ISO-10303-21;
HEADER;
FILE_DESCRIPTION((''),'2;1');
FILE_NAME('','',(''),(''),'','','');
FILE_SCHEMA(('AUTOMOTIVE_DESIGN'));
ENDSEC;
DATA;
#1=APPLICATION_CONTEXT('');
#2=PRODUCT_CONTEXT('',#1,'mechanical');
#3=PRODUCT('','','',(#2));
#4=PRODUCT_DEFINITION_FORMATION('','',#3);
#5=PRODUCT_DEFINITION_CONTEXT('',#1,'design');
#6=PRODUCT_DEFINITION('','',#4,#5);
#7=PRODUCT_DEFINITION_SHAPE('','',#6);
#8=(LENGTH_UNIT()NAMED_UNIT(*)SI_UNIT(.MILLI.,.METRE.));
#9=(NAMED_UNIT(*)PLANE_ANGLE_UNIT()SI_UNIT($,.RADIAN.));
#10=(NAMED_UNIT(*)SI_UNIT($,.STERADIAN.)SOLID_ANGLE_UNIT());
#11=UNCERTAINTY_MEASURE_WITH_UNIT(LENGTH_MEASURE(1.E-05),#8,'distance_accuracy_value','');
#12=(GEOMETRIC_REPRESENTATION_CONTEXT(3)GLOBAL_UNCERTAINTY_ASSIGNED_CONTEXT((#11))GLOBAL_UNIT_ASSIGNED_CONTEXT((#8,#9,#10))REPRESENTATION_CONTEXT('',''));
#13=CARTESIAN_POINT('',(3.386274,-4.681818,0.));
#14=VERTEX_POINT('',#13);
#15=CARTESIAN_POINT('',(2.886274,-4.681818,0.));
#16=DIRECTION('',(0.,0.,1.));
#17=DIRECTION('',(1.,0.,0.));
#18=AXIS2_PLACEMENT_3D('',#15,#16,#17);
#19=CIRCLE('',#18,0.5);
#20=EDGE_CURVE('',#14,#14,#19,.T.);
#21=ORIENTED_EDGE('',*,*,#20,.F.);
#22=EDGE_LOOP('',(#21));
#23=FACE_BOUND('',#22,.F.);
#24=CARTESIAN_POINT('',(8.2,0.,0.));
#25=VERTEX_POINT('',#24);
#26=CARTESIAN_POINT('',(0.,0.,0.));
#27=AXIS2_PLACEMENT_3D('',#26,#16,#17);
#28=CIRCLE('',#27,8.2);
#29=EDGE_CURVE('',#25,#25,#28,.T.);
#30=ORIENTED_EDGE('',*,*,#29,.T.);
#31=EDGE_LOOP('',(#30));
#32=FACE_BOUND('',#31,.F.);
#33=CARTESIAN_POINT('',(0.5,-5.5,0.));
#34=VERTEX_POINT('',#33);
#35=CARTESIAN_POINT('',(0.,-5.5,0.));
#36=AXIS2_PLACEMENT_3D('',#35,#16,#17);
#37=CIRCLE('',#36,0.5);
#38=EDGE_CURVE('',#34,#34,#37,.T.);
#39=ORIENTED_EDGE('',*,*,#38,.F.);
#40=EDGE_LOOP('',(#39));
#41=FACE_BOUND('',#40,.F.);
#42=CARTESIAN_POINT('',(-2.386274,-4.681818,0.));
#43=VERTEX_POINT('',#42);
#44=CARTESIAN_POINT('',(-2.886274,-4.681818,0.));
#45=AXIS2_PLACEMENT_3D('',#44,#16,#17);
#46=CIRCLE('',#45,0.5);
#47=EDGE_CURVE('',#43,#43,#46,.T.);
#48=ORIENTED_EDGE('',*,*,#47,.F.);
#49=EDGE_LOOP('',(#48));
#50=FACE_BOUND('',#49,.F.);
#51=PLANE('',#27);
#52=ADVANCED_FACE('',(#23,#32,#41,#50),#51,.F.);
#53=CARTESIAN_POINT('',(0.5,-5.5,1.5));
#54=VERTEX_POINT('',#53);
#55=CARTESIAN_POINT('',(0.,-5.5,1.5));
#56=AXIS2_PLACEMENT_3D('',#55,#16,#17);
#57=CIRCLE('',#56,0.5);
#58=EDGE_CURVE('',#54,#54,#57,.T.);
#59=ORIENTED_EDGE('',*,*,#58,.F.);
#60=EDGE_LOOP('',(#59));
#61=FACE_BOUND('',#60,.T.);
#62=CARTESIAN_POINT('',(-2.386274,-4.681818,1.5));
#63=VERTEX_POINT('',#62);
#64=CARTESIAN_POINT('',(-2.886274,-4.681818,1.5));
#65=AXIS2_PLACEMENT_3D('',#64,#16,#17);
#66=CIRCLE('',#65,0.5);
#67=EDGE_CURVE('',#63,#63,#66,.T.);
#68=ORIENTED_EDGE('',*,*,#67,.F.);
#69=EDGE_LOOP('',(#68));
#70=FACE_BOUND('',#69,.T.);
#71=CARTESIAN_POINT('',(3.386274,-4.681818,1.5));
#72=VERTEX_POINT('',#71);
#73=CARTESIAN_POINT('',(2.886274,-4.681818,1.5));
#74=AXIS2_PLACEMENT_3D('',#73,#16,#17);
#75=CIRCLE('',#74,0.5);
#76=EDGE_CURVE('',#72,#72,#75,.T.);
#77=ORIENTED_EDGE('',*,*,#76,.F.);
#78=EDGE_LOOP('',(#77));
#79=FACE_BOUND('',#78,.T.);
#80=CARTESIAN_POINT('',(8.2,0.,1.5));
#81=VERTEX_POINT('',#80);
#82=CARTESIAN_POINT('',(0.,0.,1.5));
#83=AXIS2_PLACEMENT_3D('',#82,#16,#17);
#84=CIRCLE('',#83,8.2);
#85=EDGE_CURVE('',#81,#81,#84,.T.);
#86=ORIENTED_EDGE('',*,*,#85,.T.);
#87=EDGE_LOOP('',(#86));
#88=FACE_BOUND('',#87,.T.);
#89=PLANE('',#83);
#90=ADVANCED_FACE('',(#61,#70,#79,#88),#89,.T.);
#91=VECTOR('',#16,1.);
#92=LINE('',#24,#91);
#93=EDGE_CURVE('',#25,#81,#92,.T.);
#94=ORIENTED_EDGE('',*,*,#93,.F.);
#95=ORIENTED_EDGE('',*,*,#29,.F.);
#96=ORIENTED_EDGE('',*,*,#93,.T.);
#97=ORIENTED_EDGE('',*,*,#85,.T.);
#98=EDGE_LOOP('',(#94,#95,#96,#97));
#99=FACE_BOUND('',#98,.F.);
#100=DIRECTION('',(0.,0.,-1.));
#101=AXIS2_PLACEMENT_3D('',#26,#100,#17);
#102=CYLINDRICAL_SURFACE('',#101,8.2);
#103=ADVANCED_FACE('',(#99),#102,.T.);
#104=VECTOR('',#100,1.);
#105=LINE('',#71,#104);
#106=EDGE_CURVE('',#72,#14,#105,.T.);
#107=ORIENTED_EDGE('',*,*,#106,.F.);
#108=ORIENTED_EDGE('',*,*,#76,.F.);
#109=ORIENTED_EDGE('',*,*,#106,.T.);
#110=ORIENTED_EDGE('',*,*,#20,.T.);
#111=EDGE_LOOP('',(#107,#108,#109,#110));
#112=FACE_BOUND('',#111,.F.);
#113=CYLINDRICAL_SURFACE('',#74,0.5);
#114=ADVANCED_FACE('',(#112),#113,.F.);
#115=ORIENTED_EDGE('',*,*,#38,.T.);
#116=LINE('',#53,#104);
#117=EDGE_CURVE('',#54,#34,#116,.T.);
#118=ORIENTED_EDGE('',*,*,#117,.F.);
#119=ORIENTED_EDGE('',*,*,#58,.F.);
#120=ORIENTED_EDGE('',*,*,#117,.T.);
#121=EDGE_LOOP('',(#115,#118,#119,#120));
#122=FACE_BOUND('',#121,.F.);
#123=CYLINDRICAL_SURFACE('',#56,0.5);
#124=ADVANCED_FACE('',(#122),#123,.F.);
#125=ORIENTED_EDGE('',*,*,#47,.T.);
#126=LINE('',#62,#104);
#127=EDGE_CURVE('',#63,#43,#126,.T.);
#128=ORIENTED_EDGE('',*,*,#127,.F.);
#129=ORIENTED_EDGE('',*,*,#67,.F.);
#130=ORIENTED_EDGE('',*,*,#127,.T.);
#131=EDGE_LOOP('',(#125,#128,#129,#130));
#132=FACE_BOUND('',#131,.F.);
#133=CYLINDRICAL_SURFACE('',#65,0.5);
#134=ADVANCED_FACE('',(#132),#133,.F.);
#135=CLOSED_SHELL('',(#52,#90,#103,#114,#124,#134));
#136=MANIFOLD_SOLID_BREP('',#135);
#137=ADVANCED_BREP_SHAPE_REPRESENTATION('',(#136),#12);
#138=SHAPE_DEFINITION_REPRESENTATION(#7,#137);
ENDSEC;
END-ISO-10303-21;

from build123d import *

# Parameters (mm, degrees)
SKETCH_R     = 8.2
PAD_DEPTH    = 1.5
SKETCH001_R  = 0.5
POCKET_DEPTH = 1.501


with BuildPart() as part:
    # Sketch → Pad (new body)
    with BuildSketch(Plane.XY):
        Circle(SKETCH_R)
    extrude(amount=PAD_DEPTH)

    # Sketch001 (on Face3 of Pad) → Pocket (cut, through all)
    with BuildSketch(Plane.XY.offset(1.5)):
        with Locations((0, -5.5)):
            Circle(SKETCH001_R)
        with Locations((2.886274, -4.681818)):
            Circle(SKETCH001_R)
        with Locations((-2.886274, -4.681818)):
            Circle(SKETCH001_R)
    extrude(amount=-POCKET_DEPTH, mode=Mode.SUBTRACT)


solid = part.part
